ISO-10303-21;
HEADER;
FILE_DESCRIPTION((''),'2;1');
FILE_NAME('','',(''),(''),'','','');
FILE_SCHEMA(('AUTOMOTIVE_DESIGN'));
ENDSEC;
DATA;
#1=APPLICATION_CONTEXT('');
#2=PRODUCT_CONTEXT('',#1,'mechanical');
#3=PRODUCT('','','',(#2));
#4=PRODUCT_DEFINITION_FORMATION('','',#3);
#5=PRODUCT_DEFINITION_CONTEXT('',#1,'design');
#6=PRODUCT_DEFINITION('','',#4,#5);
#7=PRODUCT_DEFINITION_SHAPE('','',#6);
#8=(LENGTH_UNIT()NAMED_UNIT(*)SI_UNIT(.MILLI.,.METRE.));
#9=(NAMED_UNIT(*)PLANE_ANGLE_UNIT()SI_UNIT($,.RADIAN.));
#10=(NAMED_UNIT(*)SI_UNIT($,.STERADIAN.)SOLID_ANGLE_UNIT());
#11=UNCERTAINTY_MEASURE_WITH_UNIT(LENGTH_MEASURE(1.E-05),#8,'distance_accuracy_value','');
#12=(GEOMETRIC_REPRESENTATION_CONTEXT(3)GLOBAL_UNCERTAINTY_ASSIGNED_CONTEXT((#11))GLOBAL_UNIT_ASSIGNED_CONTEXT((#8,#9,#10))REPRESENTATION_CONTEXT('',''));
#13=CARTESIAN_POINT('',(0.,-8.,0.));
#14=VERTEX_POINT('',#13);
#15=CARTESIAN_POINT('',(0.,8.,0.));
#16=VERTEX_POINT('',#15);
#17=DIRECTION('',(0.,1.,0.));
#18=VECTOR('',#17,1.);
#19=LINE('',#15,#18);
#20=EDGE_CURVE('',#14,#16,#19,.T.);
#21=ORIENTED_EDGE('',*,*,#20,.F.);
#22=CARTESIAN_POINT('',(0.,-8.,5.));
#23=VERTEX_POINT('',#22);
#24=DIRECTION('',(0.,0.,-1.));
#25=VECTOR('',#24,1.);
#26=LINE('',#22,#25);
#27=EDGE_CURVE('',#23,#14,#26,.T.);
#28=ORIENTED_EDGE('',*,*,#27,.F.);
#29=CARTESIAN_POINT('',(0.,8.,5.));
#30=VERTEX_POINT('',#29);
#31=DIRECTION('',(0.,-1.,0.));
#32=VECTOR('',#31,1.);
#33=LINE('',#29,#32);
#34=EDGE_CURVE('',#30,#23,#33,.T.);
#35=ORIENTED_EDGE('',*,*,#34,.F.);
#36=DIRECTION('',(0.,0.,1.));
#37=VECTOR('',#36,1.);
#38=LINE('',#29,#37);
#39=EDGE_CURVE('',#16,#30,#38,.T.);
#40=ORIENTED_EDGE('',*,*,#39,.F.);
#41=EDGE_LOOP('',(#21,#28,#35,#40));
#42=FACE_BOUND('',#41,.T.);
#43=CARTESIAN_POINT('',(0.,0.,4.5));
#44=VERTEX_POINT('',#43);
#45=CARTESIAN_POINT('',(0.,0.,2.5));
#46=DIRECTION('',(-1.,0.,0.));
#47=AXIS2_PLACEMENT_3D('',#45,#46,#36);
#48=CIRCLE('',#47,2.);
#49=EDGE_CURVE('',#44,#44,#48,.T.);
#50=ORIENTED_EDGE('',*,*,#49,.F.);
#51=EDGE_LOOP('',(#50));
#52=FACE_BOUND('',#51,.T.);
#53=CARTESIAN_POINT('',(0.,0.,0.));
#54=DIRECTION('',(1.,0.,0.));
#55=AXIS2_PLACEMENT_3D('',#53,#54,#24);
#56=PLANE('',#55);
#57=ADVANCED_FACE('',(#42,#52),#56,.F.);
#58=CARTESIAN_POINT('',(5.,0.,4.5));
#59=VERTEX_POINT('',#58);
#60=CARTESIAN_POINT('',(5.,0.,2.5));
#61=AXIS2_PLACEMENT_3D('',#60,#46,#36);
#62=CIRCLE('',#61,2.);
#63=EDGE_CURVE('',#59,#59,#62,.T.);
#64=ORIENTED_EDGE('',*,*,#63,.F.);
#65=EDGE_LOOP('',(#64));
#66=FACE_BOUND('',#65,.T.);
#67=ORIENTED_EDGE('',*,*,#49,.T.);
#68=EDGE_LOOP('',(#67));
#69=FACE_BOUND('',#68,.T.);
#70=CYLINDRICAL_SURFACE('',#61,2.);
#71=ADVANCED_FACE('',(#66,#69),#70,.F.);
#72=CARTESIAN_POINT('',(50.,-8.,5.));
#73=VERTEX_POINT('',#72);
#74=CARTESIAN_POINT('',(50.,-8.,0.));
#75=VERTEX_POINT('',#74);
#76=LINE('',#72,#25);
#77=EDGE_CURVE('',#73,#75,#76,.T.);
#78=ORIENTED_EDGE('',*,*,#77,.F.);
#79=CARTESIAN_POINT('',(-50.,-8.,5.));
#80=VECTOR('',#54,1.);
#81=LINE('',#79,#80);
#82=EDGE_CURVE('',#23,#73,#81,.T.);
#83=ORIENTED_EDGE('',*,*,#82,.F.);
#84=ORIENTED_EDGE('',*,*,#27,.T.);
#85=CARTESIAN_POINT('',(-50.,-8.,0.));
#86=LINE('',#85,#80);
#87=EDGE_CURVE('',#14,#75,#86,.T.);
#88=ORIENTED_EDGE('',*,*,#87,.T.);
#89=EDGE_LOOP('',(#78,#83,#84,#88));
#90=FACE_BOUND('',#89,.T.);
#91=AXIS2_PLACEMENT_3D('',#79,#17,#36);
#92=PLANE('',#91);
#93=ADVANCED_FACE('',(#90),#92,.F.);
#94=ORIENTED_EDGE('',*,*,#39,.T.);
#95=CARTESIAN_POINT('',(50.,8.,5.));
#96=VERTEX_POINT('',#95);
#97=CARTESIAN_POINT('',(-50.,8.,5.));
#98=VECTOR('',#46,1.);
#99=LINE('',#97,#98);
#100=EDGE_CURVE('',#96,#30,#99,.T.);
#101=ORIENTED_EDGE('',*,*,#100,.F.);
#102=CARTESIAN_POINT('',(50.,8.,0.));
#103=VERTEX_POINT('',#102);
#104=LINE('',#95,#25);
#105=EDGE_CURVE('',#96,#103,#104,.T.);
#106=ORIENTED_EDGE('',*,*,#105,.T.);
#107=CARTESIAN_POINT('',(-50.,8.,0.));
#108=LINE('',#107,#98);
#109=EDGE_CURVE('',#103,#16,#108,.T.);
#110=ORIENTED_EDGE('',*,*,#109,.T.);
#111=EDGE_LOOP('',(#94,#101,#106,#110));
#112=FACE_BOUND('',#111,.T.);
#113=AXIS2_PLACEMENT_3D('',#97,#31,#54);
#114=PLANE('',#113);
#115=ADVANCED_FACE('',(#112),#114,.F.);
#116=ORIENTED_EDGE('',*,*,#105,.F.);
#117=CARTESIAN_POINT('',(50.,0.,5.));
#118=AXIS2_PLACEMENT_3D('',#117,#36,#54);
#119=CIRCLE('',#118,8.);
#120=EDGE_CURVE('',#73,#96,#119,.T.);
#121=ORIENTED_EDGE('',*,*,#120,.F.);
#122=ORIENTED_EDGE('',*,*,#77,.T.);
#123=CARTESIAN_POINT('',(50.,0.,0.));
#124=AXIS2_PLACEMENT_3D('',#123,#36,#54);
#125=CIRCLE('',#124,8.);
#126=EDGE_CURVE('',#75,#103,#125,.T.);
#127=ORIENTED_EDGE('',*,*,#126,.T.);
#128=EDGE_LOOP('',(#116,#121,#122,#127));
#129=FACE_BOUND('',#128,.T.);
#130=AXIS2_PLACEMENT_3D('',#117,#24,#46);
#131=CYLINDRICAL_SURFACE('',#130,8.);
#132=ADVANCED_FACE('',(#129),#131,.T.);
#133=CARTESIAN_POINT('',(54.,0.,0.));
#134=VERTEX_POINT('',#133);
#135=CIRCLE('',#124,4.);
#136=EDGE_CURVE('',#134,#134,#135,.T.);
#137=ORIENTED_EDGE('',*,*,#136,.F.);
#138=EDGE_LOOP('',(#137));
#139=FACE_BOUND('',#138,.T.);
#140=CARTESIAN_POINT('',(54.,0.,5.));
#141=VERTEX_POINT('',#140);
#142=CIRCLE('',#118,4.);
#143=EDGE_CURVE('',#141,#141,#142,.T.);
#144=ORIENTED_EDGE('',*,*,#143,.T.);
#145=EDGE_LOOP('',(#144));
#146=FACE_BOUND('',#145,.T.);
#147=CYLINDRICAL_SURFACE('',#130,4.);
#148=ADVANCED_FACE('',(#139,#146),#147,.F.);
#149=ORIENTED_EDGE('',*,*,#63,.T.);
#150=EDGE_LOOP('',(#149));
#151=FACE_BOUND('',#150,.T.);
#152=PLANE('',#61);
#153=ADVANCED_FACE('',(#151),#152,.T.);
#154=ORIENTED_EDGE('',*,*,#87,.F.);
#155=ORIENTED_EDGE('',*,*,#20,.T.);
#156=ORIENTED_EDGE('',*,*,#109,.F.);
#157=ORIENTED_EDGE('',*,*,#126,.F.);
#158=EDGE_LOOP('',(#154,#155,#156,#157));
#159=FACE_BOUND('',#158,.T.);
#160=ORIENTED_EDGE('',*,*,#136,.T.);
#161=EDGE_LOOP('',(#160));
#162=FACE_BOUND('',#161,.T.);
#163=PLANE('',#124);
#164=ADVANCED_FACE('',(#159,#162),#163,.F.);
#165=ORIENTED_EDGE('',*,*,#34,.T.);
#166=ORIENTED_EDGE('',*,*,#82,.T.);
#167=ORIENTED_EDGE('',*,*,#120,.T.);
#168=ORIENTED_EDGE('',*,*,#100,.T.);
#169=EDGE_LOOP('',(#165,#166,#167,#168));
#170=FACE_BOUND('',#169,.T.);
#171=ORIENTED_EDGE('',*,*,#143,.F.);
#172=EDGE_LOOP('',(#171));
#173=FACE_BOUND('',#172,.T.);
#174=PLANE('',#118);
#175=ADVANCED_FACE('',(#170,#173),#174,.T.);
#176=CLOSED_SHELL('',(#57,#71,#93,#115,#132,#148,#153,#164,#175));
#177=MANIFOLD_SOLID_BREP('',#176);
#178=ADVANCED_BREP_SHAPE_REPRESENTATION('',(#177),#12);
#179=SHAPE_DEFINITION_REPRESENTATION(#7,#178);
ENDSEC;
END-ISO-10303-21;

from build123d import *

# Parameters (mm, degrees)
SKETCH1_R           = 4
BOSS_EXTRUDE1_DEPTH = 5
SKETCH2_W           = 5
SKETCH2_H           = 16
CUT_EXTRUDE1_DEPTH  = 59.762232769
SKETCH3_R           = 2
CUT_EXTRUDE3_DEPTH  = 5


with BuildPart() as part:
    # Sketch1 → Boss-Extrude1 (new body)
    with BuildSketch(Plane.XY):
        with BuildLine():
            Line((-50, -8), (50, -8))
            ThreePointArc((50, -8), (58, 0), (50, 8))
            Line((50, 8), (-50, 8))
            ThreePointArc((-50, 8), (-58, 0), (-50, -8))
        make_face()
        with Locations((-50, 0)):
            Circle(SKETCH1_R, mode=Mode.SUBTRACT)
        with Locations((50, 0)):
            Circle(SKETCH1_R, mode=Mode.SUBTRACT)
    extrude(amount=BOSS_EXTRUDE1_DEPTH)

    # Sketch2 → Cut-Extrude1 (cut, through all)
    with BuildSketch(Plane(origin=(0, 0, 0), x_dir=(0, 0, -1), z_dir=(1, 0, 0))):
        with Locations((-2.5, 0)):
            Rectangle(SKETCH2_W, SKETCH2_H)
    extrude(amount=-CUT_EXTRUDE1_DEPTH, mode=Mode.SUBTRACT)

    # Sketch3 → Cut-Extrude3 (cut)
    with BuildSketch(Plane.ZY):
        with Locations((2.5, 0)):
            Circle(SKETCH3_R)
    extrude(amount=-CUT_EXTRUDE3_DEPTH, mode=Mode.SUBTRACT)


solid = part.part
